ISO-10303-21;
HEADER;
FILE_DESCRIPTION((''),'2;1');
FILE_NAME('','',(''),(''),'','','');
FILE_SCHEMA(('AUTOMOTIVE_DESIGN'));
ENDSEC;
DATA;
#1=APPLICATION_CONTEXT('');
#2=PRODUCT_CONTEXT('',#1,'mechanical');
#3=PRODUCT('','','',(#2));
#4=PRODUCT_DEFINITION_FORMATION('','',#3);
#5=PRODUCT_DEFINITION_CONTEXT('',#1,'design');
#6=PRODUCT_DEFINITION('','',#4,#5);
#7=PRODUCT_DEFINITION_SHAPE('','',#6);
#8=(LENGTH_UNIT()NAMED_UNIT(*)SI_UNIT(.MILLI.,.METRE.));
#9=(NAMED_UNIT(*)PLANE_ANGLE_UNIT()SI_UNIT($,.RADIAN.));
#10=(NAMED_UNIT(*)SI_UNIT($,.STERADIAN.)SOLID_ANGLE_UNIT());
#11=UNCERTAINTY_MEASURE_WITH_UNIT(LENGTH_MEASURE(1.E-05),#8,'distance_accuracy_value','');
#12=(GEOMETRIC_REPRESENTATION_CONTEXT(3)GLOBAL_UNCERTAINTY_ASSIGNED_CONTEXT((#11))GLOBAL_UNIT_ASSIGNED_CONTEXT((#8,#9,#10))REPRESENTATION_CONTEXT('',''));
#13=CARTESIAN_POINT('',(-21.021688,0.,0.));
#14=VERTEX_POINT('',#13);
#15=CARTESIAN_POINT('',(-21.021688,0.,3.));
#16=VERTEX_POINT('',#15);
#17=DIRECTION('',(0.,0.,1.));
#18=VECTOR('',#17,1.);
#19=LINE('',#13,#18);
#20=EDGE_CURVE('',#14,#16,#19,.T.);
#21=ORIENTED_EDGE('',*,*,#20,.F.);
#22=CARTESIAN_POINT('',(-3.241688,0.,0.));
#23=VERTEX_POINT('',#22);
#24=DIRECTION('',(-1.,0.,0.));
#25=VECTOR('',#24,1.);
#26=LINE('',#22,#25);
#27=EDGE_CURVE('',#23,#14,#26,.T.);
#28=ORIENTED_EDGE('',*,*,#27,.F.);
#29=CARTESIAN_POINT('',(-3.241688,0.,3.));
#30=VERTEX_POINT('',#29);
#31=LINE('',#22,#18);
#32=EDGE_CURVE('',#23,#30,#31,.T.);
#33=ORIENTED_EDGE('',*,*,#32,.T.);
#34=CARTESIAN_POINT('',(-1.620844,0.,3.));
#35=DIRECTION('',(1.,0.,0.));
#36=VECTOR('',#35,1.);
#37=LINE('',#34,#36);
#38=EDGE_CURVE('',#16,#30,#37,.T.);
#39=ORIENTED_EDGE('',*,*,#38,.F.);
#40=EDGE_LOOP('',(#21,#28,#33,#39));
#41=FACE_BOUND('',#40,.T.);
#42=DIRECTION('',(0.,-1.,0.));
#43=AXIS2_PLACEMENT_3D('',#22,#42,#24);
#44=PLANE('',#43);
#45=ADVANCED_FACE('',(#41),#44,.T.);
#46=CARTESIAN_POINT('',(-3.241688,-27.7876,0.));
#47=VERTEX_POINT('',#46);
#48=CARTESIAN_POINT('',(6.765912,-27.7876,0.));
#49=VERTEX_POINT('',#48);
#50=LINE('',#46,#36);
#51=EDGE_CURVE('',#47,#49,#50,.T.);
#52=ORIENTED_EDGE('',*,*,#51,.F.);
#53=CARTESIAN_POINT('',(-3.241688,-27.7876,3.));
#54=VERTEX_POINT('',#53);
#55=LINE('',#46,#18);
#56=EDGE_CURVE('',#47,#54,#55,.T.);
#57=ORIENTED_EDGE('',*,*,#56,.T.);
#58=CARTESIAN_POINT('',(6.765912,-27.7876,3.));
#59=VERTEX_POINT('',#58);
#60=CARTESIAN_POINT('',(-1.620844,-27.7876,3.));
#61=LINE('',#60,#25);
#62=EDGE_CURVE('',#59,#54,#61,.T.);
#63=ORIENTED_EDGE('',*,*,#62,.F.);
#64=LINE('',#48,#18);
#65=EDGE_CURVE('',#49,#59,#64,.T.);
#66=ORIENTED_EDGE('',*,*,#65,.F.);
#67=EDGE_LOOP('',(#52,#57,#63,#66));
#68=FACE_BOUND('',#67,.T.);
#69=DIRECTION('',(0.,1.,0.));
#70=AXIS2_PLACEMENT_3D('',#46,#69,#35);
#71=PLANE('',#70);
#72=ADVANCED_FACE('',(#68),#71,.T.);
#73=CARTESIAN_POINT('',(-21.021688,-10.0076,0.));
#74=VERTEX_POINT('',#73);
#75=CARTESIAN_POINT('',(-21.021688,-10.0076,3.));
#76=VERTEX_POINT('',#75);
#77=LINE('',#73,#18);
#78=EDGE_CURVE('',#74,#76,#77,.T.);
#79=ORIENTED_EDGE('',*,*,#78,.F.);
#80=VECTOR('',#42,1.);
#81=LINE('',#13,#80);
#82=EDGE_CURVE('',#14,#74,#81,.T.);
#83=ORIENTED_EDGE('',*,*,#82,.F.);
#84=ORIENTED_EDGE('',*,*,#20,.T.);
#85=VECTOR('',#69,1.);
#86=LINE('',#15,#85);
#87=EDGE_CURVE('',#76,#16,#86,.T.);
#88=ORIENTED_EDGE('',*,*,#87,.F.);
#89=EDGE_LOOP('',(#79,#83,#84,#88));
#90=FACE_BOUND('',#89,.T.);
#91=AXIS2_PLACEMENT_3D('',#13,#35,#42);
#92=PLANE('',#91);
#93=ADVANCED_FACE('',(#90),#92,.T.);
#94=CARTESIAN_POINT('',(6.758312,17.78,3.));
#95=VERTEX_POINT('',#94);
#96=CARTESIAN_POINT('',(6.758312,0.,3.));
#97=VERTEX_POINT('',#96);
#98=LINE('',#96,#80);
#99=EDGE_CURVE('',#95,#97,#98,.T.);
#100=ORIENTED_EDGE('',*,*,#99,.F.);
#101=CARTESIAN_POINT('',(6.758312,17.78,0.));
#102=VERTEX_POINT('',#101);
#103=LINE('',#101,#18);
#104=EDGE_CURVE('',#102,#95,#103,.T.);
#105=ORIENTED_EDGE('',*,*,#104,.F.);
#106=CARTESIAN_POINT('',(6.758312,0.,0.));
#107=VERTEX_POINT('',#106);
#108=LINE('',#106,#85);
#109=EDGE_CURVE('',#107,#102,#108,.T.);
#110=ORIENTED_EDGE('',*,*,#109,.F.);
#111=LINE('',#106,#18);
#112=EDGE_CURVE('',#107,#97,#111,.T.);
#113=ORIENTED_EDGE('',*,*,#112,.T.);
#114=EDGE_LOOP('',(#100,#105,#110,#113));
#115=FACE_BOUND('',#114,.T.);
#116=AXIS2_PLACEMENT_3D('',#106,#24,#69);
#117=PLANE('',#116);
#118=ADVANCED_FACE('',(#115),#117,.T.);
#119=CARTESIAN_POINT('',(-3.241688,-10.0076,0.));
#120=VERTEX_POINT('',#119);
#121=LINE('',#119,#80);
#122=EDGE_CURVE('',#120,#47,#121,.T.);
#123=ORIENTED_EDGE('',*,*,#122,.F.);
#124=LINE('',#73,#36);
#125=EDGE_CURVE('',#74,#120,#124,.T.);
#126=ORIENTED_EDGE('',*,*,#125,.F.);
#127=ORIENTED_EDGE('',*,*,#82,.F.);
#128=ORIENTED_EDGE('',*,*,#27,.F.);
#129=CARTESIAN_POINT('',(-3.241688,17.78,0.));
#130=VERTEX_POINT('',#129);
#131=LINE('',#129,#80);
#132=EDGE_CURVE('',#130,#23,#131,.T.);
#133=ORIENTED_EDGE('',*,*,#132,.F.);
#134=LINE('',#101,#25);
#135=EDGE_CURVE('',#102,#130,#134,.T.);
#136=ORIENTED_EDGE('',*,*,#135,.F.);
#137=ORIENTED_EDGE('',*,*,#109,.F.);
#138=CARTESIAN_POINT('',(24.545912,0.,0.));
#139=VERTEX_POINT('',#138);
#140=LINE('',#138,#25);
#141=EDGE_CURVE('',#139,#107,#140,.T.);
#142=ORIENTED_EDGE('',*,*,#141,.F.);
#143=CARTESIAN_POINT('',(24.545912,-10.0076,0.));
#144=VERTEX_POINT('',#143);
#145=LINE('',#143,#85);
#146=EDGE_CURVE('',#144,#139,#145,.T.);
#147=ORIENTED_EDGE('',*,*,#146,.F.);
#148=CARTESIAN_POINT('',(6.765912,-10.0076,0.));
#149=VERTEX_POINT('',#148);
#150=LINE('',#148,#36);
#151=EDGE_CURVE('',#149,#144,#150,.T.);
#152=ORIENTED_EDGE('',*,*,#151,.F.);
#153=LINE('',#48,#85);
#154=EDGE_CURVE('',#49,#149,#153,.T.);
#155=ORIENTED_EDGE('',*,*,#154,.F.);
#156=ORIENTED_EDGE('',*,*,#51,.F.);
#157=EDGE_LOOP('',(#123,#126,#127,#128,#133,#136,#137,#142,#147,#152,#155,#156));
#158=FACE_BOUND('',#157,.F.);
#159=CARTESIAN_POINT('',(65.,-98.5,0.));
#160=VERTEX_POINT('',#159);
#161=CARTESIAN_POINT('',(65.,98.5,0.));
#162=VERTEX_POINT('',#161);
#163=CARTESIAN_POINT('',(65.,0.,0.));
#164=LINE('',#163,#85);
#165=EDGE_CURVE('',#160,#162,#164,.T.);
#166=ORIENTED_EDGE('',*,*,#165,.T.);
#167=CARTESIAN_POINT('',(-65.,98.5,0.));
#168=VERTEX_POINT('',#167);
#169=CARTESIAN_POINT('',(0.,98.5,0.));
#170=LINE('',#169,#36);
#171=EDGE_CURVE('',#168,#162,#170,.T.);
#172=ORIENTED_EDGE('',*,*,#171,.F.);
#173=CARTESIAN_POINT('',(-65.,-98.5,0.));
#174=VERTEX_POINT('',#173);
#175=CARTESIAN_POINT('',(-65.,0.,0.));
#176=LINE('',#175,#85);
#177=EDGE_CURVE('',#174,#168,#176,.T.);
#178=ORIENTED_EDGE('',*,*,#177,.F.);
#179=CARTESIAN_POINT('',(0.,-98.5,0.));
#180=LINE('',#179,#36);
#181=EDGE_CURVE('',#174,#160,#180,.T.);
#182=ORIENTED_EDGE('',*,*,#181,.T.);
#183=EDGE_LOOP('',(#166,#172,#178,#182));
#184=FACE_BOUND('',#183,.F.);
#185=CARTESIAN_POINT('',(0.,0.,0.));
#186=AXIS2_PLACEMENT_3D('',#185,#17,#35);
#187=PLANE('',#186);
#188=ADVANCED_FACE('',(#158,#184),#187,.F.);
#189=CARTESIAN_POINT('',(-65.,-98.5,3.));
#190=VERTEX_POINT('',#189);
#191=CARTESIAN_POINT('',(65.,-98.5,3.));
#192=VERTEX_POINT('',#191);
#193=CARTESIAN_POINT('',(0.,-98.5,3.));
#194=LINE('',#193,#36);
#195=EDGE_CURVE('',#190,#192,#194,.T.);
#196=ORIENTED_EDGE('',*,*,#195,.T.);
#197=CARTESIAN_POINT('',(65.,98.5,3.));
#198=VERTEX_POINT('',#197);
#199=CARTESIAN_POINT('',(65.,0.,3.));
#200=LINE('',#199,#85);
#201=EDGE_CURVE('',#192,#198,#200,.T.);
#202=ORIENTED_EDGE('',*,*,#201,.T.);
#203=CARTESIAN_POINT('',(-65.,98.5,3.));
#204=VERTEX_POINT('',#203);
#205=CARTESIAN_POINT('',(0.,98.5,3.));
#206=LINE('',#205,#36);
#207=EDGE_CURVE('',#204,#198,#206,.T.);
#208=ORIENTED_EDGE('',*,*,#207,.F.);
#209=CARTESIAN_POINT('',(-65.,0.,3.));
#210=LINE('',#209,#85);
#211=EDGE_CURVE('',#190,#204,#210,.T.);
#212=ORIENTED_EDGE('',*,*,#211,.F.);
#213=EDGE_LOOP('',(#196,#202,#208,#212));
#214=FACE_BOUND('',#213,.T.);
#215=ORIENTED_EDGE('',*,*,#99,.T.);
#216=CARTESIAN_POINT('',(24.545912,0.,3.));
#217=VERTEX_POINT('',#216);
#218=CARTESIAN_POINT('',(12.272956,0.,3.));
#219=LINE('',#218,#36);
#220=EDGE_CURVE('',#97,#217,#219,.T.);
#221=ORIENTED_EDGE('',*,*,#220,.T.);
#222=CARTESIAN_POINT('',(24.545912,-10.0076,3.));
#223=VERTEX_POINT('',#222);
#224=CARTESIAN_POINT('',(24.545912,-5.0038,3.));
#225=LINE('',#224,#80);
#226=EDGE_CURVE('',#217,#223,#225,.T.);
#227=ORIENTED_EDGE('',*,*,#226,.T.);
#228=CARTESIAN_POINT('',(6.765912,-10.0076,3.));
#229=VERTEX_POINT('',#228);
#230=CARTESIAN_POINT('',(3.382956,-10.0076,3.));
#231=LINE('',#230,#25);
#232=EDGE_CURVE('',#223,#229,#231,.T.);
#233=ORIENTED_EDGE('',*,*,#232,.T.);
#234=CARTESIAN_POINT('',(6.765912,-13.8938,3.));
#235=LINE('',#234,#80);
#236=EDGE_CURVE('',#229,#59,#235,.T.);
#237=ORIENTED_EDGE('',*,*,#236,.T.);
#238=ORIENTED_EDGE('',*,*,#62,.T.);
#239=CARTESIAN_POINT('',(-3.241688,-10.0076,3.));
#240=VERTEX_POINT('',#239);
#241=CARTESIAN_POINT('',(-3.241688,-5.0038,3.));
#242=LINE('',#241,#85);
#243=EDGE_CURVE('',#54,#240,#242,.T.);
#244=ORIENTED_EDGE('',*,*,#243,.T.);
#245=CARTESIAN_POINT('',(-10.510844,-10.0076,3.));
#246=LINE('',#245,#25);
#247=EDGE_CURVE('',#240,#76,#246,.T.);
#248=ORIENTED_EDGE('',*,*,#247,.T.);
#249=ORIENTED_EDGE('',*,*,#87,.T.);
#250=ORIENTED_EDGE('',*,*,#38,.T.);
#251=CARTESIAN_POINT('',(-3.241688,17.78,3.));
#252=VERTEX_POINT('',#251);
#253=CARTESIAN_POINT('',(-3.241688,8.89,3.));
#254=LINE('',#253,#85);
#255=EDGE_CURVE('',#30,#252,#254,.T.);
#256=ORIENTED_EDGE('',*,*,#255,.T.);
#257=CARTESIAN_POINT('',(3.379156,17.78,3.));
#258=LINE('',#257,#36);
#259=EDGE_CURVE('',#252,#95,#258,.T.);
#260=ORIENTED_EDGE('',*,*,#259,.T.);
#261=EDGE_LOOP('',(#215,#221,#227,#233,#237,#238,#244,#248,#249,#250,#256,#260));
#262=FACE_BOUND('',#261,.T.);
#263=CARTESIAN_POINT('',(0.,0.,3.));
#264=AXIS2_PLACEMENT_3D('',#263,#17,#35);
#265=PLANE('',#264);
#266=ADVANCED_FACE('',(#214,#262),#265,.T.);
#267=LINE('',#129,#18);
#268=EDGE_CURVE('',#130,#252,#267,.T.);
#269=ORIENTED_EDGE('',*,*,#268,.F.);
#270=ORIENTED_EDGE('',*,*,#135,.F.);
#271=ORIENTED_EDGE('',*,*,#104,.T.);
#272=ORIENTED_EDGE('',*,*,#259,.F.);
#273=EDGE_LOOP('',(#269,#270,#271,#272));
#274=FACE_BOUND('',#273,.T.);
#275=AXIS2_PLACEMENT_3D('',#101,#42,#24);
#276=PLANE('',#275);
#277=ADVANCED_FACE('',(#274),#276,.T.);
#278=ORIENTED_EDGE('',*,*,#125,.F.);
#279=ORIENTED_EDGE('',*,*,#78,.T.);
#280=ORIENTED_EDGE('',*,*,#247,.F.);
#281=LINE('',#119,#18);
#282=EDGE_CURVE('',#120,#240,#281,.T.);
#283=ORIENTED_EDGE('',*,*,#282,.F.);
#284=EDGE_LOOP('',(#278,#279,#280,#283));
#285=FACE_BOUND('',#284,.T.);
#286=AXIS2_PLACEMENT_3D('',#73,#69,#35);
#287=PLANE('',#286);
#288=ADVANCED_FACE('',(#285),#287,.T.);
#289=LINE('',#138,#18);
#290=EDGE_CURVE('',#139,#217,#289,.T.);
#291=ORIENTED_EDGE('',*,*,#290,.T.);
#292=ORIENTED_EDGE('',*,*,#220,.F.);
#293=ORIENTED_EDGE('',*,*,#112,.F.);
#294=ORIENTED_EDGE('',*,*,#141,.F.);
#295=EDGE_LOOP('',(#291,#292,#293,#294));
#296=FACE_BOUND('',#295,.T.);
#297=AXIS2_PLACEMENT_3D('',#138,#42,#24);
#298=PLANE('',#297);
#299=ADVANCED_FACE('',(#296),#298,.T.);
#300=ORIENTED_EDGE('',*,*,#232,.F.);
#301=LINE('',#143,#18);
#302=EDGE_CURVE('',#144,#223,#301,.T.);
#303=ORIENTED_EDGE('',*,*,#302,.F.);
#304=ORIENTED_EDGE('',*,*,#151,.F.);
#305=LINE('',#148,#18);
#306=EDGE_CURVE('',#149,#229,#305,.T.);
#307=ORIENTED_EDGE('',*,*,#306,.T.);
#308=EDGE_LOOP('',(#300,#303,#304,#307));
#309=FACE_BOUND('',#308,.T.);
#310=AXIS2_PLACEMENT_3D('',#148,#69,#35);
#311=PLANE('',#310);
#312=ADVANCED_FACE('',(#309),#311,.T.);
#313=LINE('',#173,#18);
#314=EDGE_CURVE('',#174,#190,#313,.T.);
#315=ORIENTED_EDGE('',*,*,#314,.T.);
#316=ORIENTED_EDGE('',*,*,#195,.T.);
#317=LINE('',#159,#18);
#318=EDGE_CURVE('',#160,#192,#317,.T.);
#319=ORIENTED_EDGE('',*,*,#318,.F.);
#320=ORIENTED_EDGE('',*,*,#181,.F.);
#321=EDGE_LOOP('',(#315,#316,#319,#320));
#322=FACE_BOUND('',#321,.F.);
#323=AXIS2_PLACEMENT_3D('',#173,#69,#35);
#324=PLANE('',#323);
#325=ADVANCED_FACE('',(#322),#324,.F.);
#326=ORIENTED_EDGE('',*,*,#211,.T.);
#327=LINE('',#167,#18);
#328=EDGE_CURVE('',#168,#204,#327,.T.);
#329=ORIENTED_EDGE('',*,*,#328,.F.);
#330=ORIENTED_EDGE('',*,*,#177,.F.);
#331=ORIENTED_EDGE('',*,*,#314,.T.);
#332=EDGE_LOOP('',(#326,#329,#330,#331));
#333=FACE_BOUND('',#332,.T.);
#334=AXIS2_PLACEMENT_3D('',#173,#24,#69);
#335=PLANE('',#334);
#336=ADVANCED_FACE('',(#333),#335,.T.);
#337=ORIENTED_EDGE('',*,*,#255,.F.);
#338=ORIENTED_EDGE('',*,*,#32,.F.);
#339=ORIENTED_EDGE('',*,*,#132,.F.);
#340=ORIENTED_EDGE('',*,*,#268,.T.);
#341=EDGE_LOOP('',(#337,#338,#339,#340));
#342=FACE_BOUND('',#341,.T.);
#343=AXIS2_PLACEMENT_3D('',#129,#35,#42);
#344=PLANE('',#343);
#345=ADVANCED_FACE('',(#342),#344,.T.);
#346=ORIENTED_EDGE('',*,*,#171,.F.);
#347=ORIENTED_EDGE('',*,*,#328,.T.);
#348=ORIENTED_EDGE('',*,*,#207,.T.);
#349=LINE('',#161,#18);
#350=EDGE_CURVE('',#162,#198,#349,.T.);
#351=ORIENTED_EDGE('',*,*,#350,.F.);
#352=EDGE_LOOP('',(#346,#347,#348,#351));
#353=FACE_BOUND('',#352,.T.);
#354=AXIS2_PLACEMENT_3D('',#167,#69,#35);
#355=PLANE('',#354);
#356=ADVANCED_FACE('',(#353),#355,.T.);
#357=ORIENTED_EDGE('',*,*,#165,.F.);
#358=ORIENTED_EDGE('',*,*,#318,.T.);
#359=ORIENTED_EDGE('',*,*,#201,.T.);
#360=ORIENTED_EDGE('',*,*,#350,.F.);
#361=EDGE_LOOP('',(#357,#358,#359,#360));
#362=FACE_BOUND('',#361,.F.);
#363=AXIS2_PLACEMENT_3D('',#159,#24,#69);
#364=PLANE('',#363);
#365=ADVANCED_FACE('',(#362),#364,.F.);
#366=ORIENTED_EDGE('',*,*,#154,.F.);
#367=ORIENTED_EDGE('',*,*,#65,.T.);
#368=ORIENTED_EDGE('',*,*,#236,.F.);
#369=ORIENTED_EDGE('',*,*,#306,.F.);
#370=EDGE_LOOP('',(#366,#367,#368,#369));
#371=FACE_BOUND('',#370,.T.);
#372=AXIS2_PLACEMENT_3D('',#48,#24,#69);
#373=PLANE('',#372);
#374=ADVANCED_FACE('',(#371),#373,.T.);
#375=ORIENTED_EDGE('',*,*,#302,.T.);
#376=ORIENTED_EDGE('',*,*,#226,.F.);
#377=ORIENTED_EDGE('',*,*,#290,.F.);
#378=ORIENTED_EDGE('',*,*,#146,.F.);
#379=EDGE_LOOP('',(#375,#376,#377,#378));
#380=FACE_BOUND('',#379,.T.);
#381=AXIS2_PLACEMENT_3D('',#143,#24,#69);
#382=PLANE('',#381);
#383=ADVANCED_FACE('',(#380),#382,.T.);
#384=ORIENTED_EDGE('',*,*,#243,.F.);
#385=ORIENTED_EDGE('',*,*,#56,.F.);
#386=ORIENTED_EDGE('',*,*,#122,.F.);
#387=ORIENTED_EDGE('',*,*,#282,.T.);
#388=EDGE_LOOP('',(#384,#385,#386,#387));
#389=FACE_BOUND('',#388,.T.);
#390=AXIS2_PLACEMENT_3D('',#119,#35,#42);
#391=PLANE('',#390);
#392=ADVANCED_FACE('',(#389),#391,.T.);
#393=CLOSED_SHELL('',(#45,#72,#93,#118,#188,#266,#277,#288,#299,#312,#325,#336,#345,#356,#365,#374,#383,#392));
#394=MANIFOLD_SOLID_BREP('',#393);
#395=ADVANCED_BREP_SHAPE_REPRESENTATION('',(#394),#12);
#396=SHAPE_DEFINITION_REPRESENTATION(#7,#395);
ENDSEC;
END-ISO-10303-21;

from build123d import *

# Parameters (mm, degrees)
F0_W     = 130
F0_H     = 197
F1_DEPTH = 3
F3_DEPTH = 9.652


with BuildPart() as f1:
    # F0 (on Top) → F1 (new body)
    with BuildSketch(Plane.XY):
        Rectangle(F0_W, F0_H)
    extrude(amount=F1_DEPTH)

    # F2 (on Top) → F3 (cut)
    with BuildSketch(Plane.XY):
        Polygon((6.758312, 0), (6.758312, 17.78), (-3.241688, 17.78), (-3.241688, 0), (-21.021688, 0), (-21.021688, -10.0076), (-3.241688, -10.0076), (-3.241688, -27.7876), (6.765912, -27.7876), (6.765912, -10.0076), (24.545912, -10.0076), (24.545912, 0), align=None)
    extrude(amount=F3_DEPTH, mode=Mode.SUBTRACT)


solid = f1.part
